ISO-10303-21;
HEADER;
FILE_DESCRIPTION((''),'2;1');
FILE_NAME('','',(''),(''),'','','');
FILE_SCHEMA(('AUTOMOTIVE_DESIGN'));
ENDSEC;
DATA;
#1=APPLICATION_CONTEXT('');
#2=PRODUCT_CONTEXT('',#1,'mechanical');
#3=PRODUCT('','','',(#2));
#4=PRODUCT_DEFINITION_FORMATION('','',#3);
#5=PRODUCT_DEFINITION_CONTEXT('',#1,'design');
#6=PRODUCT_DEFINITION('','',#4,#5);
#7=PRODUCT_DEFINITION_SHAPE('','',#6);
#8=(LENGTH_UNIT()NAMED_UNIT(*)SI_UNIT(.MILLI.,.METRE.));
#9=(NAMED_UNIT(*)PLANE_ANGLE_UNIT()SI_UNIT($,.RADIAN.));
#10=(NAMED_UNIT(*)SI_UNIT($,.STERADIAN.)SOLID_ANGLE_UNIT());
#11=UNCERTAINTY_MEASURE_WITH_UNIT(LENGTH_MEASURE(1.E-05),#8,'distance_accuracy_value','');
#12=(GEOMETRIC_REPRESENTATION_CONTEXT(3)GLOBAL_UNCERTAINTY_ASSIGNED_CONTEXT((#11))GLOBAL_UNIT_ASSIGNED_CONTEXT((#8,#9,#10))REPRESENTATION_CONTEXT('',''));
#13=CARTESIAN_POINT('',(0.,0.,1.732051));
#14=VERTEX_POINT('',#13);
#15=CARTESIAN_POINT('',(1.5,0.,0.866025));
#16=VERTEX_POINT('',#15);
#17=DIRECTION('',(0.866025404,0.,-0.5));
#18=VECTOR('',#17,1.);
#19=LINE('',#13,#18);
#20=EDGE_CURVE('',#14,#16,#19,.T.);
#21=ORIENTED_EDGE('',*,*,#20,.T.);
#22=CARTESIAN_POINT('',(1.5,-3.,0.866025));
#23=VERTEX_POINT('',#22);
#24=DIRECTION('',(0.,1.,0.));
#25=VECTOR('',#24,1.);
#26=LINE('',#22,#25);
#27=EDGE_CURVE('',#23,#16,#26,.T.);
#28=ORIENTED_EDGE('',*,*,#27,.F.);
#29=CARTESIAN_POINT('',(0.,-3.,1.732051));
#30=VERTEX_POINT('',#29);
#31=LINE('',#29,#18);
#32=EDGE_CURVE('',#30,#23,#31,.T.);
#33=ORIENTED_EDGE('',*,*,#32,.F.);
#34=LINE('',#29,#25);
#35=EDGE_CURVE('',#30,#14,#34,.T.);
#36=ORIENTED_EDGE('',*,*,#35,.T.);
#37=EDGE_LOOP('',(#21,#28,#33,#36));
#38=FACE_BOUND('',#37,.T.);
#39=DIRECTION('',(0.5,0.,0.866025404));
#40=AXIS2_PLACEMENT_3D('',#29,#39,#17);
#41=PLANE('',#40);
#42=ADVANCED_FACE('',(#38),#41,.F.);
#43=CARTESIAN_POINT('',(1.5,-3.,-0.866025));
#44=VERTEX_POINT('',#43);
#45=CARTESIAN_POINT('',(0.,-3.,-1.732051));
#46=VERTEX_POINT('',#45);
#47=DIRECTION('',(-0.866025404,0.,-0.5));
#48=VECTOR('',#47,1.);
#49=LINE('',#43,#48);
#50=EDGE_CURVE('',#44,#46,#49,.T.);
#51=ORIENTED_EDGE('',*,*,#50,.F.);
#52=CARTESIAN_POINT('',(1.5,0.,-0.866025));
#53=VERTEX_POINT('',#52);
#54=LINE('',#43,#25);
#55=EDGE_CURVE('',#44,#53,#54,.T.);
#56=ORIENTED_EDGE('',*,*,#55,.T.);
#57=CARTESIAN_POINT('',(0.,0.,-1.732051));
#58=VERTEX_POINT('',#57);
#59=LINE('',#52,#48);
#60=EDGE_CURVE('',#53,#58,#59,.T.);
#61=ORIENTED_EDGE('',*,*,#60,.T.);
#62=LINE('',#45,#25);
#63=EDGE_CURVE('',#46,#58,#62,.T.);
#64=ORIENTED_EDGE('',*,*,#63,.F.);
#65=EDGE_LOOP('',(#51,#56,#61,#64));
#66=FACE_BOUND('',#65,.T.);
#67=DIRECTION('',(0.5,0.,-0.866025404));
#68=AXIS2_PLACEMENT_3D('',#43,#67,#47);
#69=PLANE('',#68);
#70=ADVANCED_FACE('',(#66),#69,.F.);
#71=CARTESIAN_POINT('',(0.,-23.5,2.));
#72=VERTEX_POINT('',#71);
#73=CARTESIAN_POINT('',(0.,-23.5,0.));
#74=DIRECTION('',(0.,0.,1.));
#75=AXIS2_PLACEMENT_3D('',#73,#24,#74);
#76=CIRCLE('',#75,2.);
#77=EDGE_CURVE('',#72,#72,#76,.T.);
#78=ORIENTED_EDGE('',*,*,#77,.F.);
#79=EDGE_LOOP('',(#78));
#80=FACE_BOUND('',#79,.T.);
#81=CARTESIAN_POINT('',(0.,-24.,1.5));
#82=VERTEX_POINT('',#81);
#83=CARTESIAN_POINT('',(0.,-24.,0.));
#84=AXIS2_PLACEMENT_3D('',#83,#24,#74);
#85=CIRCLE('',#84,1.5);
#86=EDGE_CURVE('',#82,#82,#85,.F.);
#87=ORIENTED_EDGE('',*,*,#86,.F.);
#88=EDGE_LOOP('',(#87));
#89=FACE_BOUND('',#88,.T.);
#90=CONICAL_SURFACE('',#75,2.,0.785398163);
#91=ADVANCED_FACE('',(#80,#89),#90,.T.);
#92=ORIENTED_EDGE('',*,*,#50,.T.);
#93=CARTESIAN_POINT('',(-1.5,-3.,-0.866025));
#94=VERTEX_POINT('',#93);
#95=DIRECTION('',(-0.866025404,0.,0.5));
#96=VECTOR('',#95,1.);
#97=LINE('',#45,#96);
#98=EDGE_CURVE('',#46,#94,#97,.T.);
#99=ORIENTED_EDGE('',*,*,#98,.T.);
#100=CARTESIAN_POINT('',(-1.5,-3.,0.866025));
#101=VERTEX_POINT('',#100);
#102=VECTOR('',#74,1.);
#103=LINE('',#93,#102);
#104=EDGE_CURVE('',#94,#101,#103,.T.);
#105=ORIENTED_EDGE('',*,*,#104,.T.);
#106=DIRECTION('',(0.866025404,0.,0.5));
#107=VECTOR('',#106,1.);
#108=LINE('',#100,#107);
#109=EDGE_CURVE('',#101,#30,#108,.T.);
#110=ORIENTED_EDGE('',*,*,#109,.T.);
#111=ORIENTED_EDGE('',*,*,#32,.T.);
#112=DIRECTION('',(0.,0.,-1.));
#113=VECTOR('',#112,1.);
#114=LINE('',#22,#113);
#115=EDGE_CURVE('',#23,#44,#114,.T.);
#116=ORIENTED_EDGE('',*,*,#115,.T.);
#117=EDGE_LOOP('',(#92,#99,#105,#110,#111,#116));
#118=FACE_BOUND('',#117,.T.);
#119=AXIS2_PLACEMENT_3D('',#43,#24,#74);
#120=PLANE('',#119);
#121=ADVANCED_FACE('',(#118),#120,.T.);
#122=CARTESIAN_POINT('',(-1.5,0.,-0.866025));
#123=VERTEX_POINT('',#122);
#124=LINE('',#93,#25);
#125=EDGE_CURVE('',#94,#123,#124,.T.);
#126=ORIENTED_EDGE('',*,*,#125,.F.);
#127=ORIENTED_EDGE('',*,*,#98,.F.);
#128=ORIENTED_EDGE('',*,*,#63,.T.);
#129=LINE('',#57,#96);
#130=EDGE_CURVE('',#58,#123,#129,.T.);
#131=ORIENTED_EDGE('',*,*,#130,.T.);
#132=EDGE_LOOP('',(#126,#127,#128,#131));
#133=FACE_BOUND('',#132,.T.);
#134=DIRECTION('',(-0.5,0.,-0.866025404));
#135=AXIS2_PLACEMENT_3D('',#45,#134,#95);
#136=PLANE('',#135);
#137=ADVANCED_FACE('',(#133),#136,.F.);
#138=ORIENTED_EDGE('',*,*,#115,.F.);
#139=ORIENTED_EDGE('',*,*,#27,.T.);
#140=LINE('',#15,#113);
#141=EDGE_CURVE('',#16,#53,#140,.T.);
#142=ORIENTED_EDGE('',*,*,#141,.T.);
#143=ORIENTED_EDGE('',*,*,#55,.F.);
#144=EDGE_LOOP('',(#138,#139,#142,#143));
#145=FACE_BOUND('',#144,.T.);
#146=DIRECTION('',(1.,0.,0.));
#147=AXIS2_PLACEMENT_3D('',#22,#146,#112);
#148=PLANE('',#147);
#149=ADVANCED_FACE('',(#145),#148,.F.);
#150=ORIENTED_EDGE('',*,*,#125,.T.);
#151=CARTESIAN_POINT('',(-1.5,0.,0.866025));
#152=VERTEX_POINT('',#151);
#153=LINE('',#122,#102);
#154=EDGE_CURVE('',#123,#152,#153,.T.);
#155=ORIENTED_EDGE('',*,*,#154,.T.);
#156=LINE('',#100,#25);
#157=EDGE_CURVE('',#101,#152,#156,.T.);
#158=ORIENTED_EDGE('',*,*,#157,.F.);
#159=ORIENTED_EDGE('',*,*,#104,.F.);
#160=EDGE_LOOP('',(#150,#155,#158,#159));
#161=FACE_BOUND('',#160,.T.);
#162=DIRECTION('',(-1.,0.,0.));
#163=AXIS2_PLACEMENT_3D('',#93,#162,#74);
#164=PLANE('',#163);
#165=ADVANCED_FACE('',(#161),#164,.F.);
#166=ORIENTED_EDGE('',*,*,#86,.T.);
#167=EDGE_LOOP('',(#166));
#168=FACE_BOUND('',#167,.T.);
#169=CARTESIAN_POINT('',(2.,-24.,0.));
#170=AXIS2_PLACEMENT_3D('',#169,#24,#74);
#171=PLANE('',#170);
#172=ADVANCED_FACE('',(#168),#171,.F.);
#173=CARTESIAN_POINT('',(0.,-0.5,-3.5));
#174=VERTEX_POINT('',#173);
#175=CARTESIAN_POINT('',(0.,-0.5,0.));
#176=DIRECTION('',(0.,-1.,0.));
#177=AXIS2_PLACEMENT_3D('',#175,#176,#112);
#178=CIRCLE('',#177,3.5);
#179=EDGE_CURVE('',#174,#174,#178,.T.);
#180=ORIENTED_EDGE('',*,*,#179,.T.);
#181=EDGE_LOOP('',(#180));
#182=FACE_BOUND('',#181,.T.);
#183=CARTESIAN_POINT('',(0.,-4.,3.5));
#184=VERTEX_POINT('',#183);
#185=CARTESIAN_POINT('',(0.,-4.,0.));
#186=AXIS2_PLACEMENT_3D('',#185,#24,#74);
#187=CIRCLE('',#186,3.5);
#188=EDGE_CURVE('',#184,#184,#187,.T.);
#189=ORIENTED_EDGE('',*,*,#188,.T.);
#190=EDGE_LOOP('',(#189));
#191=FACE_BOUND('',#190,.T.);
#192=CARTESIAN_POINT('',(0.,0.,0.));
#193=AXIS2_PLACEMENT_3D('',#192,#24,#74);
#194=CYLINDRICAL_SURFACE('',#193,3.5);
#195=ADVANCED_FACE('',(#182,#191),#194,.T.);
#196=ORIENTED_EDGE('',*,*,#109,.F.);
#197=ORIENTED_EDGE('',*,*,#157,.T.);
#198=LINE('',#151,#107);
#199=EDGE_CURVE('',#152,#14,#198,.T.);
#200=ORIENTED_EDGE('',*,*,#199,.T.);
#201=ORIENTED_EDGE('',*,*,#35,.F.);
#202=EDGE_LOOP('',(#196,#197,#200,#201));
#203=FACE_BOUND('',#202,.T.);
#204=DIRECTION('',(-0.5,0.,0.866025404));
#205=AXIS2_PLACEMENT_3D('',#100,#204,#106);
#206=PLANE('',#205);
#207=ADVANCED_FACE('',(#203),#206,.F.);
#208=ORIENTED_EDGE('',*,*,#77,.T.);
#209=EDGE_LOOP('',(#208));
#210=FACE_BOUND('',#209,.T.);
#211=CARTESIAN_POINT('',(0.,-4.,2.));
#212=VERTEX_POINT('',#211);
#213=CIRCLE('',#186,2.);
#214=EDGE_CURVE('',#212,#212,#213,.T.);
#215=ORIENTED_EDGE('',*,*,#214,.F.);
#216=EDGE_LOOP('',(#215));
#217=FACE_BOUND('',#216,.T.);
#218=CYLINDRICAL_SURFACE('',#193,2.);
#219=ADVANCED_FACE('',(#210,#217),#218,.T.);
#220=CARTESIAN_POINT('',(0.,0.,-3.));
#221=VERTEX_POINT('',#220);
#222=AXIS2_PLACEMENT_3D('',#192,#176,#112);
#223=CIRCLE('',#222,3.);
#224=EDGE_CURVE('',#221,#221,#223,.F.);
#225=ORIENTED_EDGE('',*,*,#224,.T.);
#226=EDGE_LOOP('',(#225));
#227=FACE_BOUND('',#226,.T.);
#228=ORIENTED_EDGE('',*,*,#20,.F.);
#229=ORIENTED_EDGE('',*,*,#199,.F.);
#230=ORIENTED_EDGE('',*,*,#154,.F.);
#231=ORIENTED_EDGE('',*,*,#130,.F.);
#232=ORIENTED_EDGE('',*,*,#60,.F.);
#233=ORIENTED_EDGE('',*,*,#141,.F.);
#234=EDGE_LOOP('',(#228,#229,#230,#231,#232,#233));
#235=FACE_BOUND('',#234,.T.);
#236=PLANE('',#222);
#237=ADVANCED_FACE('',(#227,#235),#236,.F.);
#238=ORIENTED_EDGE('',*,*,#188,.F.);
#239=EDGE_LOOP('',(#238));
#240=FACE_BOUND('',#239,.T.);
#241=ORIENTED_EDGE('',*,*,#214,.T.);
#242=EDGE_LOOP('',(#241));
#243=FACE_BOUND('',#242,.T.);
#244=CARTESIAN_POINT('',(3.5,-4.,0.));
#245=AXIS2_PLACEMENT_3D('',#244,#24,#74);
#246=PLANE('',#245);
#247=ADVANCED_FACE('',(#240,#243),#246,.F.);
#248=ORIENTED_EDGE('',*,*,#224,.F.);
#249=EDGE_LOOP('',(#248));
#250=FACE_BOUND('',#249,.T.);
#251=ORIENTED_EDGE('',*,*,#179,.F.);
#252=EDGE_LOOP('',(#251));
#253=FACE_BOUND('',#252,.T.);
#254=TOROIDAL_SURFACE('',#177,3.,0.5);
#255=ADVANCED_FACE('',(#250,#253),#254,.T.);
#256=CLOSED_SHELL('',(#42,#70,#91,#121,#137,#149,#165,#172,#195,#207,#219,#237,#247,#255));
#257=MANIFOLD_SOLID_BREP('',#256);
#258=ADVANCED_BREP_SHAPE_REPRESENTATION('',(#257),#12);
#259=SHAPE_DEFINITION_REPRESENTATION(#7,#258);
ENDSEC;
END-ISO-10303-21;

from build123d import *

# Parameters (mm, degrees)
CORTAR_EXTRUIR1_DEPTH = 3
CHAFL_N1_SIZE         = 0.5
REDONDEO1_R           = 0.5


with BuildPart() as part:
    # Croquis1 → Revolución1 (revolve)
    with BuildSketch(Plane.XY, mode=Mode.PRIVATE) as revoluci_n1_sk:
        Polygon((0, 0), (3.5, 0), (3.5, -4), (2, -4), (2, -24), (0, -24), align=None)
    revolve(revoluci_n1_sk.sketch.rotate(Axis((0, 0, 0), (0, -1, 0)), 90), axis=Axis((0, 0, 0), (0, -1, 0)))

    # Croquis2 → Cortar-Extruir1 (cut)
    with BuildSketch(Plane(origin=(0, 0, 0), x_dir=(1, 0, 0), z_dir=(0, 1, 0))):
        Polygon((1.5, 0.866025404), (0, 1.732050808), (-1.5, 0.866025404), (-1.5, -0.866025404), (0, -1.732050808), (1.5, -0.866025404), align=None)
    extrude(amount=-CORTAR_EXTRUIR1_DEPTH, mode=Mode.SUBTRACT)

    # Chaflán1
    chafl_n1_edges = [part.edges().sort_by_distance(p)[0] for p in [
        (0, -24, -2),
    ]]
    chamfer(chafl_n1_edges, length=CHAFL_N1_SIZE)

    # Redondeo1
    redondeo1_edges = [part.edges().sort_by_distance(p)[0] for p in [
        (0, 0, -3.5),
    ]]
    fillet(redondeo1_edges, radius=REDONDEO1_R)


solid = part.part
